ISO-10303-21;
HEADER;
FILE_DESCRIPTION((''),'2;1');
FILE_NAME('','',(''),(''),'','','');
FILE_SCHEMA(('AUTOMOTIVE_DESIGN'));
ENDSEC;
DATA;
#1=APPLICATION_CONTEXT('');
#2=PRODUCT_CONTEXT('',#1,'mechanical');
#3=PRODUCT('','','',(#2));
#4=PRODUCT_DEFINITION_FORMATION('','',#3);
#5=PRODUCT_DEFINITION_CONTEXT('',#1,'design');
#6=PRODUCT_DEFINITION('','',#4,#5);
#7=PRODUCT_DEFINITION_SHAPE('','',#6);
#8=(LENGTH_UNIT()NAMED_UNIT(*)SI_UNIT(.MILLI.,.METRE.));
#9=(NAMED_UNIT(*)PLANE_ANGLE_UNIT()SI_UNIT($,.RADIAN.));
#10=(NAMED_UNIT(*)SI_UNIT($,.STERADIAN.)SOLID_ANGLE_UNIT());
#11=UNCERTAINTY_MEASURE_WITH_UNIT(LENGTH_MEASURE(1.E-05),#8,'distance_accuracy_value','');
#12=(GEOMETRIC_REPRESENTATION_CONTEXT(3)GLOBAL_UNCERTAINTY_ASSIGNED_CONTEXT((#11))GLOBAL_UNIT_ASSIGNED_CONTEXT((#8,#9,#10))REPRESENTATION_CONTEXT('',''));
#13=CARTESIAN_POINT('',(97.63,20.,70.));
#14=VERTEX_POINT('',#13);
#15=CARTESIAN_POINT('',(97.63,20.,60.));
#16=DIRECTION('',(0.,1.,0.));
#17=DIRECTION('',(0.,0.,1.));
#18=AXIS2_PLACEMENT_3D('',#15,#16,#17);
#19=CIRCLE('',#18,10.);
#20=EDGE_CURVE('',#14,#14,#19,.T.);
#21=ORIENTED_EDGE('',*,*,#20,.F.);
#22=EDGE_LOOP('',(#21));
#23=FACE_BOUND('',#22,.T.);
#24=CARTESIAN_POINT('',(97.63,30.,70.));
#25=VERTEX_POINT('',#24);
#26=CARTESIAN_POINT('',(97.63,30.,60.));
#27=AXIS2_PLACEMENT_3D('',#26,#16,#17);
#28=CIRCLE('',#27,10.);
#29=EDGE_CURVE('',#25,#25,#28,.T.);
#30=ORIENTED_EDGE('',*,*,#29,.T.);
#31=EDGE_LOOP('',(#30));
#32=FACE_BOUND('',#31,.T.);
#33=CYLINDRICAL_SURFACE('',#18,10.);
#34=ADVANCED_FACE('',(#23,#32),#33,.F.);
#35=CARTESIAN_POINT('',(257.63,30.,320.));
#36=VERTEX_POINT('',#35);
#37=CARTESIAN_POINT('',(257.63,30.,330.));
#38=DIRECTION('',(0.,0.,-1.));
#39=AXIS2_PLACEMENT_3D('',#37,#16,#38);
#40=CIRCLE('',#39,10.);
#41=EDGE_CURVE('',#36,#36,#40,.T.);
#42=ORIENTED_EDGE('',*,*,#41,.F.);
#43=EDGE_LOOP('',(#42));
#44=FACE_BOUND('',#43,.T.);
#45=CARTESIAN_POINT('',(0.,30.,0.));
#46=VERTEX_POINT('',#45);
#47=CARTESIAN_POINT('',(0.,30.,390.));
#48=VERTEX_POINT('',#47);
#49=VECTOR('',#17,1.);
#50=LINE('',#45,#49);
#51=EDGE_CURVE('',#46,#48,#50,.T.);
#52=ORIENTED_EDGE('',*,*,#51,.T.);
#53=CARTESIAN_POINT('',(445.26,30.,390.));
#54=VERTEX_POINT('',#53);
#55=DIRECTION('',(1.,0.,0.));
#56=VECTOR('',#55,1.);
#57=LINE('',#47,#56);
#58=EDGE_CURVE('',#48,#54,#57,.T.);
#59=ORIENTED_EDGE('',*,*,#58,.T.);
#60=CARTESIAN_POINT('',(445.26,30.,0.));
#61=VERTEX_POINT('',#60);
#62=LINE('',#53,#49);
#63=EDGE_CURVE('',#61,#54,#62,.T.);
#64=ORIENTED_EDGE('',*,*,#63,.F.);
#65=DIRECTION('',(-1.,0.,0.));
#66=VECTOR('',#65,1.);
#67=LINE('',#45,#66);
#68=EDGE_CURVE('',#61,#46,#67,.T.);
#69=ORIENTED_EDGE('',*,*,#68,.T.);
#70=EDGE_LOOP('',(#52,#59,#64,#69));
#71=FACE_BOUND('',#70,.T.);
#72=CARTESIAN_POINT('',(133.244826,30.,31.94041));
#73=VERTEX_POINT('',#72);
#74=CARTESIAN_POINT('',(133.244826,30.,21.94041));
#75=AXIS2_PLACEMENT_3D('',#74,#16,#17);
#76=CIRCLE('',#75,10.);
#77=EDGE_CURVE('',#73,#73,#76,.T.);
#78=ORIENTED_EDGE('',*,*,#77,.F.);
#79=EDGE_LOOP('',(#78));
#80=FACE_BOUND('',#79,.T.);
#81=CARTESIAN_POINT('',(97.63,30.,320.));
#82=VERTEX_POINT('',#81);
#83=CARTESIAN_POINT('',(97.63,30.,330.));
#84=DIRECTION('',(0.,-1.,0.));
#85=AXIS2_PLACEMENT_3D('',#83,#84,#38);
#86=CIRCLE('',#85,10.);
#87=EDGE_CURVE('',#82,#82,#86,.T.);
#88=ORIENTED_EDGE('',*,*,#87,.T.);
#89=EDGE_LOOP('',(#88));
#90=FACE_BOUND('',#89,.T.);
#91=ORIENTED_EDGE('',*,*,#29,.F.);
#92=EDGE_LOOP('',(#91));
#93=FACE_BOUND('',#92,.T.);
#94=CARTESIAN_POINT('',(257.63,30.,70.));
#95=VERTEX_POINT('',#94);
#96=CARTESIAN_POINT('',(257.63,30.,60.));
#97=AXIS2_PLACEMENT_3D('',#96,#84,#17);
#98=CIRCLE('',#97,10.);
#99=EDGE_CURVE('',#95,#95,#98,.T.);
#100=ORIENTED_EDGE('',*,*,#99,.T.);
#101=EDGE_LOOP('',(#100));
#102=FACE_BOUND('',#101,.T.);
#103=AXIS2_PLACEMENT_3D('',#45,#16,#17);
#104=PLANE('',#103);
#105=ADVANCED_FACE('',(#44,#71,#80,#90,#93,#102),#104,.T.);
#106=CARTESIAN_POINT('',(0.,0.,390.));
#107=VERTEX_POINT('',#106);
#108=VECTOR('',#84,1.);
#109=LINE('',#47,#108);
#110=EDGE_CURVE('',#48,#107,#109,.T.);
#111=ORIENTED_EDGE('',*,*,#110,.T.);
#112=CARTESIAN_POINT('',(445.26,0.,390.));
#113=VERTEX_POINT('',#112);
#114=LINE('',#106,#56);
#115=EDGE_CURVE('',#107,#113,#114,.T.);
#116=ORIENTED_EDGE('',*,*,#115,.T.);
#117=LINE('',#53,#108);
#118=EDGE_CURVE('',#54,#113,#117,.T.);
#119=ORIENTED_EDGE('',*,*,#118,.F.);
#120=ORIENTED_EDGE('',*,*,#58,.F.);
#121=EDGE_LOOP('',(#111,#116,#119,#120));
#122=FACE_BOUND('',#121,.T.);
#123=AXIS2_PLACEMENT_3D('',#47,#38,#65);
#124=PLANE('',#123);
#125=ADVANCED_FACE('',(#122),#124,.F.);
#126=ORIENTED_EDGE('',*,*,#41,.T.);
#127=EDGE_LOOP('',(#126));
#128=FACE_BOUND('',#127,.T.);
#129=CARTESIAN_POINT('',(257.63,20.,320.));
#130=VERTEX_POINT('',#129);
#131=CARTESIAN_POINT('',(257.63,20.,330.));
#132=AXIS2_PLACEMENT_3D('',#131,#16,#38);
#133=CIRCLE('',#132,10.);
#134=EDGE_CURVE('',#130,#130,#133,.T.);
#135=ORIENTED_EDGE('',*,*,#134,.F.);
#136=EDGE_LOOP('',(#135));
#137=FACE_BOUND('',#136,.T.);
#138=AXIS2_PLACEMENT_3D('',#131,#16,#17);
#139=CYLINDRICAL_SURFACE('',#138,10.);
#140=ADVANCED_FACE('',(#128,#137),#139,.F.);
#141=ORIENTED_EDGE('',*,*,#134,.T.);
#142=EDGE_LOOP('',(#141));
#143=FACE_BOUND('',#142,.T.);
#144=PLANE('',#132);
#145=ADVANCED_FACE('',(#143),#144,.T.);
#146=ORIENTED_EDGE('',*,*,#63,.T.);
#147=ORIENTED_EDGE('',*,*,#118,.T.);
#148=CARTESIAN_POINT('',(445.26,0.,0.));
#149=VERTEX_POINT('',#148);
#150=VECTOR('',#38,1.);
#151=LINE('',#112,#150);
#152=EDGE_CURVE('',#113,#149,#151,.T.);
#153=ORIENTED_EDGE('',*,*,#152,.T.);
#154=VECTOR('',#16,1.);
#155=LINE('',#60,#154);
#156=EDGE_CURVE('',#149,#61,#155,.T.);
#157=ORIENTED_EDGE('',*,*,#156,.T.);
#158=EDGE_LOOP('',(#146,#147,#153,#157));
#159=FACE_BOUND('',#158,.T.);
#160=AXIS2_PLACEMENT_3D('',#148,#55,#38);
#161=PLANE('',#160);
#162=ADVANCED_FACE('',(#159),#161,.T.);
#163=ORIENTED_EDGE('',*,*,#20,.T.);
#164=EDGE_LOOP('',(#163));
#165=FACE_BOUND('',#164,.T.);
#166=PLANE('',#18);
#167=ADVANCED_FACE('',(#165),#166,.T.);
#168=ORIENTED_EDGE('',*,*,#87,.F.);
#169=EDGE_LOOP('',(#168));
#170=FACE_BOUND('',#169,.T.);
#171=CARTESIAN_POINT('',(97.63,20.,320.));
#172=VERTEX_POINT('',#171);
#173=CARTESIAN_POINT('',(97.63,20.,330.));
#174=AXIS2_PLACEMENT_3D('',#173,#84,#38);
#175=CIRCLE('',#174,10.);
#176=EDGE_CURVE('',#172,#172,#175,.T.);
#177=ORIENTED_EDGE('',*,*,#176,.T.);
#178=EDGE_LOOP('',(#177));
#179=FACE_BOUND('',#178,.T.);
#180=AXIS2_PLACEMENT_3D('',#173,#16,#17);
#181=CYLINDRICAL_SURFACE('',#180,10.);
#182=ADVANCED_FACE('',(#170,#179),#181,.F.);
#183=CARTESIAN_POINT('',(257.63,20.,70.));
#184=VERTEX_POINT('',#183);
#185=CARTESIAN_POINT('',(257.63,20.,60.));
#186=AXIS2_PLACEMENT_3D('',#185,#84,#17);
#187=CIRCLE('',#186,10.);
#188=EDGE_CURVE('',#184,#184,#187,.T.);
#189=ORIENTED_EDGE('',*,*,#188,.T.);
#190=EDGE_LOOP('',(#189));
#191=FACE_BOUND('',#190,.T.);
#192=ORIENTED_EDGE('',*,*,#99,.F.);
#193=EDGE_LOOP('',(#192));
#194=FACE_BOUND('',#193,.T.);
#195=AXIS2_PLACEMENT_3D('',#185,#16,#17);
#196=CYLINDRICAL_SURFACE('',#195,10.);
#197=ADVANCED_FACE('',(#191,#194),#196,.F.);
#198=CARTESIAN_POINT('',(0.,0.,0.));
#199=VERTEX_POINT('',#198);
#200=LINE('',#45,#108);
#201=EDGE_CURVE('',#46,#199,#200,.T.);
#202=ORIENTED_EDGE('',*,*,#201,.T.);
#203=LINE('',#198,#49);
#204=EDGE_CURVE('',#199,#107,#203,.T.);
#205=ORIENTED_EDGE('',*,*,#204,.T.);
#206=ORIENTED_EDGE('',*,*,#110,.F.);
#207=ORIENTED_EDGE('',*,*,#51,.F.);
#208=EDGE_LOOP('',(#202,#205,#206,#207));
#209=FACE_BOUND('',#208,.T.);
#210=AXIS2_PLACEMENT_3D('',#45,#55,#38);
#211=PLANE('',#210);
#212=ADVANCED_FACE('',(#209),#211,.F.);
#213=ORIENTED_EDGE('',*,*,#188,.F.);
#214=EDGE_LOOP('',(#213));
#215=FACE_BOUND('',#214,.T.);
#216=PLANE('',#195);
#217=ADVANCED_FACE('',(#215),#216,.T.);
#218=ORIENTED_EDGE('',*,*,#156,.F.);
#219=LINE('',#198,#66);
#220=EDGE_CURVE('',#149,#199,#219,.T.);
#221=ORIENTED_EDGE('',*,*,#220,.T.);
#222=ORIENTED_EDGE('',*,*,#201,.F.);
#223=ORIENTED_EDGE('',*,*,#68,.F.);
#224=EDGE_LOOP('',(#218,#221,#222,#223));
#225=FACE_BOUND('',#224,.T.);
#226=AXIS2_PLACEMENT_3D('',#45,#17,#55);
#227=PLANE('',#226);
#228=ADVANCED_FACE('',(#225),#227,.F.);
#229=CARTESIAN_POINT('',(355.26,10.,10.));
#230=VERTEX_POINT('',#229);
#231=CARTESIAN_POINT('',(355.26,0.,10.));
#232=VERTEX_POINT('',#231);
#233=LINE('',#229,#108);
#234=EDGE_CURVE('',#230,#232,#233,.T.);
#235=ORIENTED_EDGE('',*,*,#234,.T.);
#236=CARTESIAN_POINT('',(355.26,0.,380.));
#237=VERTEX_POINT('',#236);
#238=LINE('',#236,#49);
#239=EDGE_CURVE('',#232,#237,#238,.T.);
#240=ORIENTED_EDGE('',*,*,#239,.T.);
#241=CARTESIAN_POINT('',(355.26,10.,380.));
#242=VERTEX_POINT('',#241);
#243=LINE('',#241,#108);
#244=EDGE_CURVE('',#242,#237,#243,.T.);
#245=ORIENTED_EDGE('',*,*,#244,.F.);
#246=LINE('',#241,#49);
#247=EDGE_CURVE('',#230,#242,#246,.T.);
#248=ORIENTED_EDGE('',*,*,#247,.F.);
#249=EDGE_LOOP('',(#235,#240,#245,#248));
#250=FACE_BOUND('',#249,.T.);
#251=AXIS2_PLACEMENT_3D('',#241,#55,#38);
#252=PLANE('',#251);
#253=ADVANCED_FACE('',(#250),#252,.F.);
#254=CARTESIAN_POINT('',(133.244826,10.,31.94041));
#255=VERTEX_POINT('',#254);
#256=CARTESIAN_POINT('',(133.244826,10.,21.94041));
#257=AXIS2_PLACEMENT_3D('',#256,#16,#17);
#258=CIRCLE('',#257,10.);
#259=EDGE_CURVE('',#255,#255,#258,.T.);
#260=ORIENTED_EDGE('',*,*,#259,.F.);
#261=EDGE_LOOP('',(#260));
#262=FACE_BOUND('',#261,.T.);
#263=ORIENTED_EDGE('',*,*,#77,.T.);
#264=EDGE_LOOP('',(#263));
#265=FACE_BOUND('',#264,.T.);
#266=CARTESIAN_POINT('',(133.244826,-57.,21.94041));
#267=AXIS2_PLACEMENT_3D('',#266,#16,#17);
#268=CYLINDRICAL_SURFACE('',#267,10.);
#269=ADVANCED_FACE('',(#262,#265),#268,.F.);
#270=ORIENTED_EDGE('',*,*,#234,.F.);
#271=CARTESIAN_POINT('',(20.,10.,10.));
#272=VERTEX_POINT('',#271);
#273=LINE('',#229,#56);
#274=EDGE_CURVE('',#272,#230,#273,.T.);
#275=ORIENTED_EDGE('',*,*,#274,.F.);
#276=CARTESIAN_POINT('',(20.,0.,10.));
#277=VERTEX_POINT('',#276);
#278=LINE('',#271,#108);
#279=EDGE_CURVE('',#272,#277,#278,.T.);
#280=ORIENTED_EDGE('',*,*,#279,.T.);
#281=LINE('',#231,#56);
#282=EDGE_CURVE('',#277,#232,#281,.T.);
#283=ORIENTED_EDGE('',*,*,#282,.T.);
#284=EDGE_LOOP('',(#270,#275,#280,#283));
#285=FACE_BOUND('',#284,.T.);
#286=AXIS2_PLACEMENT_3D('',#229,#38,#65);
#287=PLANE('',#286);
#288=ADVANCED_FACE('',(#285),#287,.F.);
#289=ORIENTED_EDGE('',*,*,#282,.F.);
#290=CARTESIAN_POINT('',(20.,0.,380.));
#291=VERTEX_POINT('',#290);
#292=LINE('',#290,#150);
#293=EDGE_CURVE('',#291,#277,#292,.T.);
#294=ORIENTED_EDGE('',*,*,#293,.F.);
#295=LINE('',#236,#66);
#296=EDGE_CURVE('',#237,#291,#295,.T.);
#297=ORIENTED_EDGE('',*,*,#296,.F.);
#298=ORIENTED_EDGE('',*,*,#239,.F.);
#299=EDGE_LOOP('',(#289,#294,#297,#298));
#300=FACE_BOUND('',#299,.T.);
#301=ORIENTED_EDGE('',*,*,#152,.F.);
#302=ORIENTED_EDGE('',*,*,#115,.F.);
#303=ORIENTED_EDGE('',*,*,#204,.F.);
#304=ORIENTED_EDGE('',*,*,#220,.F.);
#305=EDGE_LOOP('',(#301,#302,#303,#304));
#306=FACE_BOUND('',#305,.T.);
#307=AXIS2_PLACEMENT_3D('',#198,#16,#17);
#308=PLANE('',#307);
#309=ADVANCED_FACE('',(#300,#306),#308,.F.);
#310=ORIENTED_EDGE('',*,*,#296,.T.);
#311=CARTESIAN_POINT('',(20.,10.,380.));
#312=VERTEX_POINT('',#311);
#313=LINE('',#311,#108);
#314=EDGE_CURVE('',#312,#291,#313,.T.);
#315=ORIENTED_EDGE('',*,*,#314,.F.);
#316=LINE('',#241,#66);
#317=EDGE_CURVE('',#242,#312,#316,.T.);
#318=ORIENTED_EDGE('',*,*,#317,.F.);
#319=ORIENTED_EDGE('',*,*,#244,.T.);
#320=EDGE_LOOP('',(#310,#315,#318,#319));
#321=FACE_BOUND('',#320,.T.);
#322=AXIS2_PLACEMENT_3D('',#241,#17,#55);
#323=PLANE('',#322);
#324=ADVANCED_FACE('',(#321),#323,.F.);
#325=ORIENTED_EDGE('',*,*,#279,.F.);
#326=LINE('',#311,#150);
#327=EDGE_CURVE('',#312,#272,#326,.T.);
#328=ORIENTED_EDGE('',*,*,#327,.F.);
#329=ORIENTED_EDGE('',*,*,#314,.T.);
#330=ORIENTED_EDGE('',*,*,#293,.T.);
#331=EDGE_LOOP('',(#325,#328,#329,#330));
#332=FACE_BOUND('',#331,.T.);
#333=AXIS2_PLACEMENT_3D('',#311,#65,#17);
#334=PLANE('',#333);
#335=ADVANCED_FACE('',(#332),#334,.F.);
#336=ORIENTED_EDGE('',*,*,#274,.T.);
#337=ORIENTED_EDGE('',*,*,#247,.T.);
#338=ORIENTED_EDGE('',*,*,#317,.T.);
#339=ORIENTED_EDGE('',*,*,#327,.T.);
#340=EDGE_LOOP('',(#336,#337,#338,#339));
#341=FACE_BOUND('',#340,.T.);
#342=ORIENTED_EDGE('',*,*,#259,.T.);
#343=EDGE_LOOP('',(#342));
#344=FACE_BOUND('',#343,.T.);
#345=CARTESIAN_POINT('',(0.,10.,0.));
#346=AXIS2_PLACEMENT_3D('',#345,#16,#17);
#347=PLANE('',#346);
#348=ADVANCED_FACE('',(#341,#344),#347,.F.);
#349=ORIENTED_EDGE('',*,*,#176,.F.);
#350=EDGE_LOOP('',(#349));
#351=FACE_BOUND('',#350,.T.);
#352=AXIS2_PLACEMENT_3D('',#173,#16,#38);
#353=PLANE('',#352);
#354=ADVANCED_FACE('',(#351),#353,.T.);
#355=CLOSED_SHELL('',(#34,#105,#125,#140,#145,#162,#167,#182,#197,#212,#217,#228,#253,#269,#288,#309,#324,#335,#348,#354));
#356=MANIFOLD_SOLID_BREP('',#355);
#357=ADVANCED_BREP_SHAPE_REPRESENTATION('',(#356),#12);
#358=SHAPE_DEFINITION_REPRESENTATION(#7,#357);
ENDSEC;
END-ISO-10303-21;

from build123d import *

# Parameters (mm, degrees)
SKETCH1_W               = 355.26
SKETCH1_H               = 390
BOSS_EXTRUDE1_DEPTH     = 30
SKETCH3_W               = 390
SKETCH3_H               = 30
BOSS_EXTRUDE2_DEPTH     = 90
SKETCH4_R               = 10
CUT_EXTRUDE1_DEPTH      = 10
MIRROR2_COPY_1_SKETCH_R = 10
MIRROR2_COPY_1_DEPTH    = 10
SKETCH7_W               = 335.26
SKETCH7_H               = 370
CUT_EXTRUDE3_DEPTH      = 10
SKETCH8_R               = 10
CUT_EXTRUDE4_DEPTH      = 87


with BuildPart() as part:
    # Sketch1 → Boss-Extrude1 (new body)
    with BuildSketch(Plane(origin=(0, 0, 0), x_dir=(1, 0, 0), z_dir=(0, 1, 0))):
        with Locations((177.63, -195)):
            Rectangle(SKETCH1_W, SKETCH1_H)
    extrude(amount=BOSS_EXTRUDE1_DEPTH)

    # Sketch3 → Boss-Extrude2 (add)
    with BuildSketch(Plane(origin=(355.26, 0, 0), x_dir=(0, 0, -1), z_dir=(1, 0, 0))):
        with Locations((-195, 15)):
            Rectangle(SKETCH3_W, SKETCH3_H)
    extrude(amount=BOSS_EXTRUDE2_DEPTH)

    # Sketch4 → Cut-Extrude1 (cut)
    with BuildSketch(Plane(origin=(0, 30, 0), x_dir=(1, 0, 0), z_dir=(0, 1, 0))):
        with Locations(Location((97.63, -60, 0), (0, 0, 270))):
            Circle(SKETCH4_R)
    cut_extrude1 = extrude(amount=-CUT_EXTRUDE1_DEPTH, mode=Mode.SUBTRACT)

    # Mirror1: Cut-Extrude1 across plane
    add(cut_extrude1.mirror(Plane.ZY.offset(-177.63)), mode=Mode.SUBTRACT)

    # Mirror2: Cut-Extrude1 across plane
    add(cut_extrude1.mirror(Plane.XY.offset(195)), mode=Mode.SUBTRACT)

    # Mirror2 copy 1 sketch → Mirror2 copy 1 (cut)
    with BuildSketch(Plane(origin=(355.26, 30, 390), x_dir=(-1, 0, 0), z_dir=(0, 1, 0))):
        with Locations(Location((97.63, -60, 0), (0, 0, 270))):
            Circle(MIRROR2_COPY_1_SKETCH_R)
    extrude(amount=-MIRROR2_COPY_1_DEPTH, mode=Mode.SUBTRACT)

    # Sketch7 → Cut-Extrude3 (cut)
    with BuildSketch(Plane.XZ):
        with Locations((187.63, 195)):
            Rectangle(SKETCH7_W, SKETCH7_H)
    extrude(amount=-CUT_EXTRUDE3_DEPTH, mode=Mode.SUBTRACT)

    # Sketch8 → Cut-Extrude4 (cut)
    with BuildSketch(Plane(origin=(0, 30, 0), x_dir=(1, 0, 0), z_dir=(0, 1, 0))):
        with Locations(Location((133.244825989, -21.940410103, 0), (0, 0, 270))):
            Circle(SKETCH8_R)
    extrude(amount=-CUT_EXTRUDE4_DEPTH, mode=Mode.SUBTRACT)


solid = part.part
